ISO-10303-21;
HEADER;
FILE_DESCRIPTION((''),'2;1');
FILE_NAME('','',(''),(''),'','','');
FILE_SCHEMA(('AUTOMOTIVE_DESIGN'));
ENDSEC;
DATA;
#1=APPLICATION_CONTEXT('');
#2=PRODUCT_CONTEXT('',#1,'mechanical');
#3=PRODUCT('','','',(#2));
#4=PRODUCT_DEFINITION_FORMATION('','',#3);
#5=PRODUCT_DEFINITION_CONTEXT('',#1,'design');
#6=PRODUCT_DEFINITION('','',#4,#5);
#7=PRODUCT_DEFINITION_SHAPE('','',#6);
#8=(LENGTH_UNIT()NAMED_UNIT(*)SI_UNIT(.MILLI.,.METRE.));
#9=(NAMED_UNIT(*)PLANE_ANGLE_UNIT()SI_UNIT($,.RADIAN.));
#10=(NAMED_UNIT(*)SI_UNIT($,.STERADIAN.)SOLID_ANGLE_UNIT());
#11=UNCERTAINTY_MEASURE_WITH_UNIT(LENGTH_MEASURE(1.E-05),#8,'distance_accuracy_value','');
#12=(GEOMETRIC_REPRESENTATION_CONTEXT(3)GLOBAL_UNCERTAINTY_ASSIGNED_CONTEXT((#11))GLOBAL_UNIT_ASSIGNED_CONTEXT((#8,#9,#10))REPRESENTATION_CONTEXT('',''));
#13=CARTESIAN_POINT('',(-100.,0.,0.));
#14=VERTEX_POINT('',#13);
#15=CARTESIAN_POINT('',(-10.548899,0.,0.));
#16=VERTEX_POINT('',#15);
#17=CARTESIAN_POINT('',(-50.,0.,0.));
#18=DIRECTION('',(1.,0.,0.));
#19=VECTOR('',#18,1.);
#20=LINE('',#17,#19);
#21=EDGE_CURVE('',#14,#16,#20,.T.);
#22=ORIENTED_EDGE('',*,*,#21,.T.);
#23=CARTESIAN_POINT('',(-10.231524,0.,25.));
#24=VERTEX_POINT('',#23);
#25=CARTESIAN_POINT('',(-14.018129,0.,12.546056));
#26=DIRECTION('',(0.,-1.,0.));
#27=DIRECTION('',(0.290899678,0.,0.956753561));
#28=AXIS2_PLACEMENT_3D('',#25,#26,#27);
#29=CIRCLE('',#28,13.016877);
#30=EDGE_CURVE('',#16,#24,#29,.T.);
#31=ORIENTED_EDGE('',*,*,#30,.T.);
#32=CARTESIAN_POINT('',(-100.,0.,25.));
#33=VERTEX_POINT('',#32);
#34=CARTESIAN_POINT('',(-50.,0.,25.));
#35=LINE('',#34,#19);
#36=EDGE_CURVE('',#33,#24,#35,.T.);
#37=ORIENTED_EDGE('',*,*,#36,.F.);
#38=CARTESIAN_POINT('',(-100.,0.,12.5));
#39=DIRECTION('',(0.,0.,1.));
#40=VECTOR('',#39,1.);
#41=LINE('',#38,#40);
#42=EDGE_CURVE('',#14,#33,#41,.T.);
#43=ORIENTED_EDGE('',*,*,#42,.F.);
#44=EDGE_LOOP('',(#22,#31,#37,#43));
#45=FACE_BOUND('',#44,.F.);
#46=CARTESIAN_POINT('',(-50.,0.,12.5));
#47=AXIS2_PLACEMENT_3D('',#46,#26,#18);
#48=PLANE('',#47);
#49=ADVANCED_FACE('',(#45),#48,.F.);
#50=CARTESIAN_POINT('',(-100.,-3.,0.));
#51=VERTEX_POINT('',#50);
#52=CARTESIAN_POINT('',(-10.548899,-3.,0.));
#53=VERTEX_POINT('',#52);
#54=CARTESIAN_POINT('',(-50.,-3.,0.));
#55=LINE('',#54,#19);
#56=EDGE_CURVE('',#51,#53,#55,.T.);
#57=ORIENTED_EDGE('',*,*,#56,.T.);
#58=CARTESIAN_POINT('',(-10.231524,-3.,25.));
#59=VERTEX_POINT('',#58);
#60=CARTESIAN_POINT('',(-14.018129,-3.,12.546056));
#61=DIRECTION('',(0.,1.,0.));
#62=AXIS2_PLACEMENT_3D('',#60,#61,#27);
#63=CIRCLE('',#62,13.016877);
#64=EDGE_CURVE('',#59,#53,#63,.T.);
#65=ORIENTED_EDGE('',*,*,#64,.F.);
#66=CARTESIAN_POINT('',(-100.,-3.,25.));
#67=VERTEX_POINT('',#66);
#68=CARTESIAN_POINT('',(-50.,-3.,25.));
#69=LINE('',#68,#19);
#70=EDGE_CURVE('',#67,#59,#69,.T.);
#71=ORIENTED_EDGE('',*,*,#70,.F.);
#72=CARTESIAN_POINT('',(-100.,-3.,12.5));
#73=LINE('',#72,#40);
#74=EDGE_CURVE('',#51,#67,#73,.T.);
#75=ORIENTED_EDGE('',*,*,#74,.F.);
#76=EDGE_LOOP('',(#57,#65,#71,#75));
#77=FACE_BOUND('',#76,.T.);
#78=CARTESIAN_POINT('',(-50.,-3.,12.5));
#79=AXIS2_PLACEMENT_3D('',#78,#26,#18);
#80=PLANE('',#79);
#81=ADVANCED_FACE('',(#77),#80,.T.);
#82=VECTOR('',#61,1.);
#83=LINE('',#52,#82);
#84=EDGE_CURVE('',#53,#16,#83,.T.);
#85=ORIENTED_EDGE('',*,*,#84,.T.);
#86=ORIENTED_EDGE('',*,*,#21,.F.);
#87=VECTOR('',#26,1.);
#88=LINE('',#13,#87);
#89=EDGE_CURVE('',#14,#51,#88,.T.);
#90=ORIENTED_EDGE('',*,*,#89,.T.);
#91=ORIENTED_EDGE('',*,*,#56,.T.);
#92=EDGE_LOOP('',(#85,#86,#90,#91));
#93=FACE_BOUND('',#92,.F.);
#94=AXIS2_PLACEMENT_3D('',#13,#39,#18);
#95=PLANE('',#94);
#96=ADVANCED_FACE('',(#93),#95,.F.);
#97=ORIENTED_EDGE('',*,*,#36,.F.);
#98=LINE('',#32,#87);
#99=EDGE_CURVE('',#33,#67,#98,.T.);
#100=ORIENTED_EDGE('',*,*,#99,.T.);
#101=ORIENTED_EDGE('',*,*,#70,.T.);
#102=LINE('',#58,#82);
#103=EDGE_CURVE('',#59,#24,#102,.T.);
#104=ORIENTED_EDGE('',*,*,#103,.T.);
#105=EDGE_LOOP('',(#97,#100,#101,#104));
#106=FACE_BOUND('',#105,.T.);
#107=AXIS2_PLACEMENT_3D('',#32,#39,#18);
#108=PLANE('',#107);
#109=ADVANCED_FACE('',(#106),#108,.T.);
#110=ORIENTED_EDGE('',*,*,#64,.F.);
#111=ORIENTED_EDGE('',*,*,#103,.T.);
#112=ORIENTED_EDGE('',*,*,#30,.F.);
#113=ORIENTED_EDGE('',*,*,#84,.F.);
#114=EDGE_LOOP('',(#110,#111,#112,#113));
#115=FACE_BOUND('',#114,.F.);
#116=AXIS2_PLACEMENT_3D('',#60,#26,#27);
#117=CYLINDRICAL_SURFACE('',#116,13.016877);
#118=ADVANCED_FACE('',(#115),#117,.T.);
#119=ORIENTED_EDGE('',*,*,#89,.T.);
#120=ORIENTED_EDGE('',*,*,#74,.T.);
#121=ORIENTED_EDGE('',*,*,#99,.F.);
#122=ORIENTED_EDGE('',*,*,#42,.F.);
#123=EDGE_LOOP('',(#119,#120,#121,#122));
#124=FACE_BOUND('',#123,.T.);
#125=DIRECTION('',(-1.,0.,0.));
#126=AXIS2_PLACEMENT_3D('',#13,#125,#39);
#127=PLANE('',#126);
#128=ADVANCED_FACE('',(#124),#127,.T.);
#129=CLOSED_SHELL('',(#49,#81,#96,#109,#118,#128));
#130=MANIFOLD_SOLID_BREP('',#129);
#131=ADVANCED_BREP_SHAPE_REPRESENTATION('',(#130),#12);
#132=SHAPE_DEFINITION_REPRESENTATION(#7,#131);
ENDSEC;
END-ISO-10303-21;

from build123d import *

# Parameters (mm, degrees)
F0_W     = 100
F0_H     = 25
F1_DEPTH = 3
F3_DEPTH = 3.001


with BuildPart() as f1:
    # F0 (on Front) → F1 (new body)
    with BuildSketch(Plane.XZ):
        with Locations((-50, 12.5)):
            Rectangle(F0_W, F0_H)
    extrude(amount=F1_DEPTH)

    # F2 (on face) → F3 (cut, through all)
    with BuildSketch(Plane.XZ.offset(3)):
        with BuildLine():
            ThreePointArc((-10.231524, 25), (-1.002301, 12.380821), (-10.548899, 0))
            Line((-10.548899, 0), (0, 0))
            Line((0, 0), (0, 25))
            Line((0, 25), (-10.231524, 25))
        make_face()
    extrude(amount=-F3_DEPTH, mode=Mode.SUBTRACT)


solid = f1.part
